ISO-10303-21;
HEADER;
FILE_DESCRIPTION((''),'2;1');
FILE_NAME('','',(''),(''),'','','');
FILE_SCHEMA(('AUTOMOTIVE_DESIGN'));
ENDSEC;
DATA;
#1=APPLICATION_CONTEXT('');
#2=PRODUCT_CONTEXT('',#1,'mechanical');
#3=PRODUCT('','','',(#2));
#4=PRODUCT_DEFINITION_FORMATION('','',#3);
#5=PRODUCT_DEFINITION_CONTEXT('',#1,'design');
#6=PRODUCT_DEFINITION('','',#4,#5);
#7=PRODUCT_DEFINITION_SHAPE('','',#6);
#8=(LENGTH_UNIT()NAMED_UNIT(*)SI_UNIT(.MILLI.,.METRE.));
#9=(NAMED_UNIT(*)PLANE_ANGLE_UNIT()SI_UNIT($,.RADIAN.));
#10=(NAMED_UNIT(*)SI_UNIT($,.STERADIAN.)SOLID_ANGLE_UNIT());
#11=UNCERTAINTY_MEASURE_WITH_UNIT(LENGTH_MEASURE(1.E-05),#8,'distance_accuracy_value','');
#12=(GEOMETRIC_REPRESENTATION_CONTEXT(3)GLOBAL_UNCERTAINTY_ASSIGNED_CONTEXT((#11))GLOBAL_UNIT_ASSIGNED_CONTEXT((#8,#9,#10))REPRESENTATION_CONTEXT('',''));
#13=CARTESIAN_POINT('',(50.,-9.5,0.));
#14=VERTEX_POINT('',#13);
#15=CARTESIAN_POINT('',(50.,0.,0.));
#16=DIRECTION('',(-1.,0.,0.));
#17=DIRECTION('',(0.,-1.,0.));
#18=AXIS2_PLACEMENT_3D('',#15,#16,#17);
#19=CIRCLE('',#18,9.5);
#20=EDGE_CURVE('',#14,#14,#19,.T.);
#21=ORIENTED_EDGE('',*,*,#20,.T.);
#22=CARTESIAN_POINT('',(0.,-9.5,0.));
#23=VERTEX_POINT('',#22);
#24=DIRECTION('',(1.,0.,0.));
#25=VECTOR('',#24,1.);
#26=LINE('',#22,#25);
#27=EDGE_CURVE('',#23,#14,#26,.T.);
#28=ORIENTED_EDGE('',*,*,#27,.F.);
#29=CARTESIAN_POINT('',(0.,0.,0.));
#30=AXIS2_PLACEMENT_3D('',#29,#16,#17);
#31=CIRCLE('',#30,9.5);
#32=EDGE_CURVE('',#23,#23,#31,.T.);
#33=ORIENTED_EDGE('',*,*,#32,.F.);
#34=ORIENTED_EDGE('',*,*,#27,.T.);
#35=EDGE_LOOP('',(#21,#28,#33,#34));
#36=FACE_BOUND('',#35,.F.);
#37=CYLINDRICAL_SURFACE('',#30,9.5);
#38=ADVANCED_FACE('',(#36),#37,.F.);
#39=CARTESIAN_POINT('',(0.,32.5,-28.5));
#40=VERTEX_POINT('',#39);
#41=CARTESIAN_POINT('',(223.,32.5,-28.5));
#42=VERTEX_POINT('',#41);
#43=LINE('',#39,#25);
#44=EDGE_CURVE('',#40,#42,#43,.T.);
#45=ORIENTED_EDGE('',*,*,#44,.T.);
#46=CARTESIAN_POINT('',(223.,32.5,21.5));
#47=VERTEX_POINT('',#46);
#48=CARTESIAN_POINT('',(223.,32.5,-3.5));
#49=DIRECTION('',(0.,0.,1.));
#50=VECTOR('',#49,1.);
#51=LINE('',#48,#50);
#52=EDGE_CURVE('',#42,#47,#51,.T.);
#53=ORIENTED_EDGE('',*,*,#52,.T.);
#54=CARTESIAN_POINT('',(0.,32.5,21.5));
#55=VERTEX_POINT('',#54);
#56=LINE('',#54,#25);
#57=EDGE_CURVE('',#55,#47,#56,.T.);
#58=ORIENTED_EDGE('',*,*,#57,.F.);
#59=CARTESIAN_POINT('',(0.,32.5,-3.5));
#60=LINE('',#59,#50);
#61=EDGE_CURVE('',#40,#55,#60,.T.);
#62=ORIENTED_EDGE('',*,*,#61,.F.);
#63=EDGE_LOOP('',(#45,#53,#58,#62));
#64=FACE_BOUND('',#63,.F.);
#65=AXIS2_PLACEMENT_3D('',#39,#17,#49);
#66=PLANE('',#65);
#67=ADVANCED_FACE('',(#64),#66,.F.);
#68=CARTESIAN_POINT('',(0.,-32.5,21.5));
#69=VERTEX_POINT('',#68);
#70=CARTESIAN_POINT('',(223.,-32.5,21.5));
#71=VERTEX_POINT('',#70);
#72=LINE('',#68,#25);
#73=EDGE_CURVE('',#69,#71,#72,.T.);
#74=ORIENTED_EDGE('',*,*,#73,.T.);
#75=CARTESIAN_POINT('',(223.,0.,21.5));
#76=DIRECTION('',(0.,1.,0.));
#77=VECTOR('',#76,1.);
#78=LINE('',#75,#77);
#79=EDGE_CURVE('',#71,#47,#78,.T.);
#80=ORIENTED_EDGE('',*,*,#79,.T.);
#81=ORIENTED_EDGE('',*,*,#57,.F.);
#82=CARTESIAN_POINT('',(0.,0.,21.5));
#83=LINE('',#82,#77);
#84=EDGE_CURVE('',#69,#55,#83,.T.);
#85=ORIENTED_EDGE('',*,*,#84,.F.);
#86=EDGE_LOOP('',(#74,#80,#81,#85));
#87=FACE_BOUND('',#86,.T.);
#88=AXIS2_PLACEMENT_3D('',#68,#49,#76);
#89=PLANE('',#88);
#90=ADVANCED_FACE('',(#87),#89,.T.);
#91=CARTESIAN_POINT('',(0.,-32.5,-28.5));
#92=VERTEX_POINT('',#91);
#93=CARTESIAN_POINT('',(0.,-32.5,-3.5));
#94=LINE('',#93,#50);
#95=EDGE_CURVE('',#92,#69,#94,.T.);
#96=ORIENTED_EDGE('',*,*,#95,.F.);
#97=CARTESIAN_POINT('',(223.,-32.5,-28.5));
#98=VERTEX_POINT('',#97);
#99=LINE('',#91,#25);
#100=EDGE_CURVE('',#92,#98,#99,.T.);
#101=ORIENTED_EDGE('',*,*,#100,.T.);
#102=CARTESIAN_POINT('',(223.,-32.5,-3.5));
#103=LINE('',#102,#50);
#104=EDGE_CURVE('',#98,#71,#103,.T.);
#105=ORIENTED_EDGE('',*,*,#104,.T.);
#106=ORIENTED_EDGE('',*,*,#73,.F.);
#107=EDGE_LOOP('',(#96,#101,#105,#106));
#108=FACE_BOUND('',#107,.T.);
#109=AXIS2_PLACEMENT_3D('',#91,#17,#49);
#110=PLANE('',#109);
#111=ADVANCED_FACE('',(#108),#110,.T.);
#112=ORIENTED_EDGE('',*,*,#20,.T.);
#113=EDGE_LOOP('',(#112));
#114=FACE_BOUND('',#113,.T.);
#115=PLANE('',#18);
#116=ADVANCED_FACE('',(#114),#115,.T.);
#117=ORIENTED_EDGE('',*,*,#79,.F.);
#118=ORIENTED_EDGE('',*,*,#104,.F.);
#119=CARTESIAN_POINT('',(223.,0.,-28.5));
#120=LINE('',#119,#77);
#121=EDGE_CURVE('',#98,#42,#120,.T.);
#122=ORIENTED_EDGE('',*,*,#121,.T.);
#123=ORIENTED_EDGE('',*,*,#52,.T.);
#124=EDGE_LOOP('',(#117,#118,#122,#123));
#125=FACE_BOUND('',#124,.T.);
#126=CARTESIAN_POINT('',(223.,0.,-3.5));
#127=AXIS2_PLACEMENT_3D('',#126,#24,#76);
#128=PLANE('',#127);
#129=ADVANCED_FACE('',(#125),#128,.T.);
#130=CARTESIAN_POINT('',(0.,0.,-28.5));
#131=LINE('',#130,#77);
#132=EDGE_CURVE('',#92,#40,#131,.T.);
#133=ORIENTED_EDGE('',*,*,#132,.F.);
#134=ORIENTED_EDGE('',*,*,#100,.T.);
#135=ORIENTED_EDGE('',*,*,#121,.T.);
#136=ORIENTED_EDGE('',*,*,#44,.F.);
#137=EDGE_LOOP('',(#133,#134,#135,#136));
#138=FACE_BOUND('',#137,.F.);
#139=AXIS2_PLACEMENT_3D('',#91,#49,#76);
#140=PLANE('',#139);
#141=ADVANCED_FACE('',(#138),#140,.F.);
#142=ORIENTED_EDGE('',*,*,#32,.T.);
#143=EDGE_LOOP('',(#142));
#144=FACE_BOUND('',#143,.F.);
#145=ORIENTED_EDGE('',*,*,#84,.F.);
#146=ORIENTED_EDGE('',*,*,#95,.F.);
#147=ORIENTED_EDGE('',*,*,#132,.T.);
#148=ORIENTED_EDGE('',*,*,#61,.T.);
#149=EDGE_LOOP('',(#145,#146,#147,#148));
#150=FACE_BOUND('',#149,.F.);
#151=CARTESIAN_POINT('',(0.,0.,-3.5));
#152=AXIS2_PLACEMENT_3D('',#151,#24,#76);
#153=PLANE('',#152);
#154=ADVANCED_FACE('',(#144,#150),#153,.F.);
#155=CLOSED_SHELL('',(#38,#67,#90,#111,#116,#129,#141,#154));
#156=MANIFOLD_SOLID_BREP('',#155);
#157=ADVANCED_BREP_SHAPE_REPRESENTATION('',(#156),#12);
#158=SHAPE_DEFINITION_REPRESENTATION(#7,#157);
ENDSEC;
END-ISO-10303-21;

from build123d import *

# Parameters (mm, degrees)
F0_W     = 65
F0_H     = 50
F1_DEPTH = 223
F2_R     = 9.5
F3_DEPTH = 50


with BuildPart() as f1:
    # F0 (on Right) → F1 (new body)
    with BuildSketch(Plane.YZ):
        with Locations((0, -3.5)):
            Rectangle(F0_W, F0_H)
    extrude(amount=F1_DEPTH)

    # F2 (on face) → F3 (cut)
    with BuildSketch(Plane(origin=(0, 0, 0), x_dir=(0, -1, 0), z_dir=(-1, 0, 0))):
        Circle(F2_R)
    extrude(amount=-F3_DEPTH, mode=Mode.SUBTRACT)


solid = f1.part
